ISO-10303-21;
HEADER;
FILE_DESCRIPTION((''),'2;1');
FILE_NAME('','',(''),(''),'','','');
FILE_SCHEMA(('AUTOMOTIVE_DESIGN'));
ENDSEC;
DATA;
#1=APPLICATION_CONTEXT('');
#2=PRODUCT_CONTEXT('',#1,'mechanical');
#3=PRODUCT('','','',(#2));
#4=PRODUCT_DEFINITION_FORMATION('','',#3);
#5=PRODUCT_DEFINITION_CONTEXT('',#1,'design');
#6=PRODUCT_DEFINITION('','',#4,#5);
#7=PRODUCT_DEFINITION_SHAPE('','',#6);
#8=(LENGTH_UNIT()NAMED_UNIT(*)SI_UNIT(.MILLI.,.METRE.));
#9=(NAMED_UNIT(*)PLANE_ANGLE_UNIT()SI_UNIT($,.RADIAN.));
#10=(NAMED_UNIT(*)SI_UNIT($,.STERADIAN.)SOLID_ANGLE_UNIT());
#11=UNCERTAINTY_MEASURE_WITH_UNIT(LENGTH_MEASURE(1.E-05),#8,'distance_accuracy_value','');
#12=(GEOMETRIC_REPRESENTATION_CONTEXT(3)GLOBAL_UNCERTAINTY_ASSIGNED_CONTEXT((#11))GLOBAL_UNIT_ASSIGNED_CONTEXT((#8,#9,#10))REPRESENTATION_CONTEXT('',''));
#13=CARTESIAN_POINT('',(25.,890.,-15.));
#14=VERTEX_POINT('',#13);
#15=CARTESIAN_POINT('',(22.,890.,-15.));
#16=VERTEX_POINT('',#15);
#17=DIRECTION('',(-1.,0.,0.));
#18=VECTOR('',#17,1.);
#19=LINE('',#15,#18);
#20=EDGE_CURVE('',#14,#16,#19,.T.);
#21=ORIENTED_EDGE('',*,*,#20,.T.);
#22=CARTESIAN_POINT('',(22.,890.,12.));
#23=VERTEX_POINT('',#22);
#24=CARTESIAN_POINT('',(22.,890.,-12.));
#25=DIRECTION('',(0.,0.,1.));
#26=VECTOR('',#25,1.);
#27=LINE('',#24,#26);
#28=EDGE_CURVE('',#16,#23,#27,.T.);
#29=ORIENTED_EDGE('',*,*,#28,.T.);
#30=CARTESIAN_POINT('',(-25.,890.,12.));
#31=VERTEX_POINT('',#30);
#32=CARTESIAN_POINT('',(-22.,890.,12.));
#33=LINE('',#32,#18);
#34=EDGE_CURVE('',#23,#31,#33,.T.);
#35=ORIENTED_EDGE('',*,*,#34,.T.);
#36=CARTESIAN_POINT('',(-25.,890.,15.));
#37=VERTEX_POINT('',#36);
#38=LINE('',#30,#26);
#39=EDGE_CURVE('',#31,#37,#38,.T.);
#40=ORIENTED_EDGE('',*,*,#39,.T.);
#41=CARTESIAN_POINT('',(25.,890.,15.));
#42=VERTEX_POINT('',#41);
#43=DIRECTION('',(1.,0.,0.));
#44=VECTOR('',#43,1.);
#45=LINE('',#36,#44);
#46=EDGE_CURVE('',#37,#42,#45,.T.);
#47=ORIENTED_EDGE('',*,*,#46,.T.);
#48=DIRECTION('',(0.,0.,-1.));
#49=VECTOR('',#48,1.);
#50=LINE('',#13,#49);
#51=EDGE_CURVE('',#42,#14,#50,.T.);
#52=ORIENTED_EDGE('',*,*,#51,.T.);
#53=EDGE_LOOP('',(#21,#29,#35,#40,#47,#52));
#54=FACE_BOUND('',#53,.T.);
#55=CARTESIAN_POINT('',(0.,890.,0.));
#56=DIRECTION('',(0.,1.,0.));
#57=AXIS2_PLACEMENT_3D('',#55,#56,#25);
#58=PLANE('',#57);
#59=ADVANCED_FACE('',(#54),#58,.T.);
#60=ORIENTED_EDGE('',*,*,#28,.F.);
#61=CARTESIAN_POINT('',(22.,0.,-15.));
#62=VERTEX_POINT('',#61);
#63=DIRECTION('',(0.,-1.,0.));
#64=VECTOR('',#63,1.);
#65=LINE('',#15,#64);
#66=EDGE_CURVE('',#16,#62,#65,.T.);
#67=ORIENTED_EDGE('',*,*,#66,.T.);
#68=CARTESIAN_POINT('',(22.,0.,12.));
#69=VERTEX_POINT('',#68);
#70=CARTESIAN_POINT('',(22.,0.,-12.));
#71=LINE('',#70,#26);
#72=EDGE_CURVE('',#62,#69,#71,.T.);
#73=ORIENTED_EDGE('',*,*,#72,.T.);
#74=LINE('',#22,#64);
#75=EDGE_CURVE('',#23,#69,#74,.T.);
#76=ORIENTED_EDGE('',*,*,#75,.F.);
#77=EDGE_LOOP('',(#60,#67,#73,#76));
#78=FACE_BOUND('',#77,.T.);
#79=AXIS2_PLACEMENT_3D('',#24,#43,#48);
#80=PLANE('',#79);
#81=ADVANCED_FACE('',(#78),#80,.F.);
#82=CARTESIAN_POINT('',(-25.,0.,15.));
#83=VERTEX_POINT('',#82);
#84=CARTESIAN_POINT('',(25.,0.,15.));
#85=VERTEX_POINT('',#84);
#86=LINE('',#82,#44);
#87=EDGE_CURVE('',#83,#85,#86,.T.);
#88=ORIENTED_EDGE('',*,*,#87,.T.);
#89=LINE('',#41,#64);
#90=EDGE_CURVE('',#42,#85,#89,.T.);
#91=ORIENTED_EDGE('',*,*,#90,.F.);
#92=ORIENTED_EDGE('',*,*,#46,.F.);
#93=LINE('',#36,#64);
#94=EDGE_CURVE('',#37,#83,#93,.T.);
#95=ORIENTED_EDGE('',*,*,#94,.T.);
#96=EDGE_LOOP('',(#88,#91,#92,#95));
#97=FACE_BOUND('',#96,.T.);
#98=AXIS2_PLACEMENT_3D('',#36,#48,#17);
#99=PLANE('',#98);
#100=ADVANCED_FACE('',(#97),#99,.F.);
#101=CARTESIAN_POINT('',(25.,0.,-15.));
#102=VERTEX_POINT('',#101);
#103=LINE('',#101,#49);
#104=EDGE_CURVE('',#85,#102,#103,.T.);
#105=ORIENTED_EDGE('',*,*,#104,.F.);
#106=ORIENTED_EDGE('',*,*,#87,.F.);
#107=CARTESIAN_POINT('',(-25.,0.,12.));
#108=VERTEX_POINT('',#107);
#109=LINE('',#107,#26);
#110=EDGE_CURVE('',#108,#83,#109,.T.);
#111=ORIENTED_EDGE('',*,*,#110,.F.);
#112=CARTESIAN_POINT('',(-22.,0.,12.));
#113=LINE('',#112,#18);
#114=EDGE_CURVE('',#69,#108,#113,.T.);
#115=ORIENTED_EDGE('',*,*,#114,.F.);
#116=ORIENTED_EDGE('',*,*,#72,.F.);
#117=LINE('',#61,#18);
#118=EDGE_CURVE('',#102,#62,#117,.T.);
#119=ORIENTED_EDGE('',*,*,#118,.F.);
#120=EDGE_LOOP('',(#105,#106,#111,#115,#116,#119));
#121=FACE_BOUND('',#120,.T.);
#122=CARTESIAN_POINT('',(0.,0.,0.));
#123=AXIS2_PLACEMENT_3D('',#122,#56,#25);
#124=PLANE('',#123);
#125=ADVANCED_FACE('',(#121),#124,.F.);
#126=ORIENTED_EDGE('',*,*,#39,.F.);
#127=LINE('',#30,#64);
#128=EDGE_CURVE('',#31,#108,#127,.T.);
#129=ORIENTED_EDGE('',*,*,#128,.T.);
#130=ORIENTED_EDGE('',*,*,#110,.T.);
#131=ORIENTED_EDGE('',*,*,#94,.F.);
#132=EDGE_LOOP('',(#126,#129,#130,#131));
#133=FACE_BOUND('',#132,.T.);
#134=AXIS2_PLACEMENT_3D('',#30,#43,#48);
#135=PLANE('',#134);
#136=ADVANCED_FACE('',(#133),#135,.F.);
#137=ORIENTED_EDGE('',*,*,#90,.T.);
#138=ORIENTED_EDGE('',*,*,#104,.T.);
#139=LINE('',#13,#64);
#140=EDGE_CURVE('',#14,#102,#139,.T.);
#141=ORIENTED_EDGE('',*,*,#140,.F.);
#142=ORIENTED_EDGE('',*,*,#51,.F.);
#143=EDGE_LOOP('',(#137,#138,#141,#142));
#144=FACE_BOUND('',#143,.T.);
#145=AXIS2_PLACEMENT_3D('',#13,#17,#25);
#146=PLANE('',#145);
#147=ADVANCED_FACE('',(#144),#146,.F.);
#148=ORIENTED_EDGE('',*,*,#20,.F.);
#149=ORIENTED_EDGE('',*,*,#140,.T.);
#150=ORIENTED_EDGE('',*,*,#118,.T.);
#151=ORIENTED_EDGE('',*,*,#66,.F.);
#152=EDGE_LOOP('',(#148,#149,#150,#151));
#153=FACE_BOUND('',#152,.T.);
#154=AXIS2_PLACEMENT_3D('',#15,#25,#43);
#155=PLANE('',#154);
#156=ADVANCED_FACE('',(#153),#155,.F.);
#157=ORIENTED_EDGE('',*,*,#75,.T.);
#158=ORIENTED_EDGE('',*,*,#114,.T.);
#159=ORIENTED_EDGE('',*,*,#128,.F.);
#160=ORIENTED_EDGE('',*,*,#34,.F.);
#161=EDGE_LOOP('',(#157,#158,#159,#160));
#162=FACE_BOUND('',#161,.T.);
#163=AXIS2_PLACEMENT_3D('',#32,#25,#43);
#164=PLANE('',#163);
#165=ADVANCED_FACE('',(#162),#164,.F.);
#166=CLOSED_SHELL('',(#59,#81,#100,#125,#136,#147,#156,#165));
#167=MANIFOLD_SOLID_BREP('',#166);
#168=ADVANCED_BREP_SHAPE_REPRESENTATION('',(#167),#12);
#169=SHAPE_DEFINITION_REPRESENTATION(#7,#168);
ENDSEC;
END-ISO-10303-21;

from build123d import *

# Parameters (mm, degrees)
RESSALTO_EXTRUS_O2_DEPTH = 890


with BuildPart() as part:
    # Esboço3 → Ressalto-extrusão2 (new body)
    with BuildSketch(Plane(origin=(0, 0, 0), x_dir=(1, 0, 0), z_dir=(0, 1, 0))):
        Polygon((-25, -12), (-25, -15), (25, -15), (25, 15), (22, 15), (22, 12), (22, -12), (-22, -12), align=None)
    extrude(amount=RESSALTO_EXTRUS_O2_DEPTH)


solid = part.part
